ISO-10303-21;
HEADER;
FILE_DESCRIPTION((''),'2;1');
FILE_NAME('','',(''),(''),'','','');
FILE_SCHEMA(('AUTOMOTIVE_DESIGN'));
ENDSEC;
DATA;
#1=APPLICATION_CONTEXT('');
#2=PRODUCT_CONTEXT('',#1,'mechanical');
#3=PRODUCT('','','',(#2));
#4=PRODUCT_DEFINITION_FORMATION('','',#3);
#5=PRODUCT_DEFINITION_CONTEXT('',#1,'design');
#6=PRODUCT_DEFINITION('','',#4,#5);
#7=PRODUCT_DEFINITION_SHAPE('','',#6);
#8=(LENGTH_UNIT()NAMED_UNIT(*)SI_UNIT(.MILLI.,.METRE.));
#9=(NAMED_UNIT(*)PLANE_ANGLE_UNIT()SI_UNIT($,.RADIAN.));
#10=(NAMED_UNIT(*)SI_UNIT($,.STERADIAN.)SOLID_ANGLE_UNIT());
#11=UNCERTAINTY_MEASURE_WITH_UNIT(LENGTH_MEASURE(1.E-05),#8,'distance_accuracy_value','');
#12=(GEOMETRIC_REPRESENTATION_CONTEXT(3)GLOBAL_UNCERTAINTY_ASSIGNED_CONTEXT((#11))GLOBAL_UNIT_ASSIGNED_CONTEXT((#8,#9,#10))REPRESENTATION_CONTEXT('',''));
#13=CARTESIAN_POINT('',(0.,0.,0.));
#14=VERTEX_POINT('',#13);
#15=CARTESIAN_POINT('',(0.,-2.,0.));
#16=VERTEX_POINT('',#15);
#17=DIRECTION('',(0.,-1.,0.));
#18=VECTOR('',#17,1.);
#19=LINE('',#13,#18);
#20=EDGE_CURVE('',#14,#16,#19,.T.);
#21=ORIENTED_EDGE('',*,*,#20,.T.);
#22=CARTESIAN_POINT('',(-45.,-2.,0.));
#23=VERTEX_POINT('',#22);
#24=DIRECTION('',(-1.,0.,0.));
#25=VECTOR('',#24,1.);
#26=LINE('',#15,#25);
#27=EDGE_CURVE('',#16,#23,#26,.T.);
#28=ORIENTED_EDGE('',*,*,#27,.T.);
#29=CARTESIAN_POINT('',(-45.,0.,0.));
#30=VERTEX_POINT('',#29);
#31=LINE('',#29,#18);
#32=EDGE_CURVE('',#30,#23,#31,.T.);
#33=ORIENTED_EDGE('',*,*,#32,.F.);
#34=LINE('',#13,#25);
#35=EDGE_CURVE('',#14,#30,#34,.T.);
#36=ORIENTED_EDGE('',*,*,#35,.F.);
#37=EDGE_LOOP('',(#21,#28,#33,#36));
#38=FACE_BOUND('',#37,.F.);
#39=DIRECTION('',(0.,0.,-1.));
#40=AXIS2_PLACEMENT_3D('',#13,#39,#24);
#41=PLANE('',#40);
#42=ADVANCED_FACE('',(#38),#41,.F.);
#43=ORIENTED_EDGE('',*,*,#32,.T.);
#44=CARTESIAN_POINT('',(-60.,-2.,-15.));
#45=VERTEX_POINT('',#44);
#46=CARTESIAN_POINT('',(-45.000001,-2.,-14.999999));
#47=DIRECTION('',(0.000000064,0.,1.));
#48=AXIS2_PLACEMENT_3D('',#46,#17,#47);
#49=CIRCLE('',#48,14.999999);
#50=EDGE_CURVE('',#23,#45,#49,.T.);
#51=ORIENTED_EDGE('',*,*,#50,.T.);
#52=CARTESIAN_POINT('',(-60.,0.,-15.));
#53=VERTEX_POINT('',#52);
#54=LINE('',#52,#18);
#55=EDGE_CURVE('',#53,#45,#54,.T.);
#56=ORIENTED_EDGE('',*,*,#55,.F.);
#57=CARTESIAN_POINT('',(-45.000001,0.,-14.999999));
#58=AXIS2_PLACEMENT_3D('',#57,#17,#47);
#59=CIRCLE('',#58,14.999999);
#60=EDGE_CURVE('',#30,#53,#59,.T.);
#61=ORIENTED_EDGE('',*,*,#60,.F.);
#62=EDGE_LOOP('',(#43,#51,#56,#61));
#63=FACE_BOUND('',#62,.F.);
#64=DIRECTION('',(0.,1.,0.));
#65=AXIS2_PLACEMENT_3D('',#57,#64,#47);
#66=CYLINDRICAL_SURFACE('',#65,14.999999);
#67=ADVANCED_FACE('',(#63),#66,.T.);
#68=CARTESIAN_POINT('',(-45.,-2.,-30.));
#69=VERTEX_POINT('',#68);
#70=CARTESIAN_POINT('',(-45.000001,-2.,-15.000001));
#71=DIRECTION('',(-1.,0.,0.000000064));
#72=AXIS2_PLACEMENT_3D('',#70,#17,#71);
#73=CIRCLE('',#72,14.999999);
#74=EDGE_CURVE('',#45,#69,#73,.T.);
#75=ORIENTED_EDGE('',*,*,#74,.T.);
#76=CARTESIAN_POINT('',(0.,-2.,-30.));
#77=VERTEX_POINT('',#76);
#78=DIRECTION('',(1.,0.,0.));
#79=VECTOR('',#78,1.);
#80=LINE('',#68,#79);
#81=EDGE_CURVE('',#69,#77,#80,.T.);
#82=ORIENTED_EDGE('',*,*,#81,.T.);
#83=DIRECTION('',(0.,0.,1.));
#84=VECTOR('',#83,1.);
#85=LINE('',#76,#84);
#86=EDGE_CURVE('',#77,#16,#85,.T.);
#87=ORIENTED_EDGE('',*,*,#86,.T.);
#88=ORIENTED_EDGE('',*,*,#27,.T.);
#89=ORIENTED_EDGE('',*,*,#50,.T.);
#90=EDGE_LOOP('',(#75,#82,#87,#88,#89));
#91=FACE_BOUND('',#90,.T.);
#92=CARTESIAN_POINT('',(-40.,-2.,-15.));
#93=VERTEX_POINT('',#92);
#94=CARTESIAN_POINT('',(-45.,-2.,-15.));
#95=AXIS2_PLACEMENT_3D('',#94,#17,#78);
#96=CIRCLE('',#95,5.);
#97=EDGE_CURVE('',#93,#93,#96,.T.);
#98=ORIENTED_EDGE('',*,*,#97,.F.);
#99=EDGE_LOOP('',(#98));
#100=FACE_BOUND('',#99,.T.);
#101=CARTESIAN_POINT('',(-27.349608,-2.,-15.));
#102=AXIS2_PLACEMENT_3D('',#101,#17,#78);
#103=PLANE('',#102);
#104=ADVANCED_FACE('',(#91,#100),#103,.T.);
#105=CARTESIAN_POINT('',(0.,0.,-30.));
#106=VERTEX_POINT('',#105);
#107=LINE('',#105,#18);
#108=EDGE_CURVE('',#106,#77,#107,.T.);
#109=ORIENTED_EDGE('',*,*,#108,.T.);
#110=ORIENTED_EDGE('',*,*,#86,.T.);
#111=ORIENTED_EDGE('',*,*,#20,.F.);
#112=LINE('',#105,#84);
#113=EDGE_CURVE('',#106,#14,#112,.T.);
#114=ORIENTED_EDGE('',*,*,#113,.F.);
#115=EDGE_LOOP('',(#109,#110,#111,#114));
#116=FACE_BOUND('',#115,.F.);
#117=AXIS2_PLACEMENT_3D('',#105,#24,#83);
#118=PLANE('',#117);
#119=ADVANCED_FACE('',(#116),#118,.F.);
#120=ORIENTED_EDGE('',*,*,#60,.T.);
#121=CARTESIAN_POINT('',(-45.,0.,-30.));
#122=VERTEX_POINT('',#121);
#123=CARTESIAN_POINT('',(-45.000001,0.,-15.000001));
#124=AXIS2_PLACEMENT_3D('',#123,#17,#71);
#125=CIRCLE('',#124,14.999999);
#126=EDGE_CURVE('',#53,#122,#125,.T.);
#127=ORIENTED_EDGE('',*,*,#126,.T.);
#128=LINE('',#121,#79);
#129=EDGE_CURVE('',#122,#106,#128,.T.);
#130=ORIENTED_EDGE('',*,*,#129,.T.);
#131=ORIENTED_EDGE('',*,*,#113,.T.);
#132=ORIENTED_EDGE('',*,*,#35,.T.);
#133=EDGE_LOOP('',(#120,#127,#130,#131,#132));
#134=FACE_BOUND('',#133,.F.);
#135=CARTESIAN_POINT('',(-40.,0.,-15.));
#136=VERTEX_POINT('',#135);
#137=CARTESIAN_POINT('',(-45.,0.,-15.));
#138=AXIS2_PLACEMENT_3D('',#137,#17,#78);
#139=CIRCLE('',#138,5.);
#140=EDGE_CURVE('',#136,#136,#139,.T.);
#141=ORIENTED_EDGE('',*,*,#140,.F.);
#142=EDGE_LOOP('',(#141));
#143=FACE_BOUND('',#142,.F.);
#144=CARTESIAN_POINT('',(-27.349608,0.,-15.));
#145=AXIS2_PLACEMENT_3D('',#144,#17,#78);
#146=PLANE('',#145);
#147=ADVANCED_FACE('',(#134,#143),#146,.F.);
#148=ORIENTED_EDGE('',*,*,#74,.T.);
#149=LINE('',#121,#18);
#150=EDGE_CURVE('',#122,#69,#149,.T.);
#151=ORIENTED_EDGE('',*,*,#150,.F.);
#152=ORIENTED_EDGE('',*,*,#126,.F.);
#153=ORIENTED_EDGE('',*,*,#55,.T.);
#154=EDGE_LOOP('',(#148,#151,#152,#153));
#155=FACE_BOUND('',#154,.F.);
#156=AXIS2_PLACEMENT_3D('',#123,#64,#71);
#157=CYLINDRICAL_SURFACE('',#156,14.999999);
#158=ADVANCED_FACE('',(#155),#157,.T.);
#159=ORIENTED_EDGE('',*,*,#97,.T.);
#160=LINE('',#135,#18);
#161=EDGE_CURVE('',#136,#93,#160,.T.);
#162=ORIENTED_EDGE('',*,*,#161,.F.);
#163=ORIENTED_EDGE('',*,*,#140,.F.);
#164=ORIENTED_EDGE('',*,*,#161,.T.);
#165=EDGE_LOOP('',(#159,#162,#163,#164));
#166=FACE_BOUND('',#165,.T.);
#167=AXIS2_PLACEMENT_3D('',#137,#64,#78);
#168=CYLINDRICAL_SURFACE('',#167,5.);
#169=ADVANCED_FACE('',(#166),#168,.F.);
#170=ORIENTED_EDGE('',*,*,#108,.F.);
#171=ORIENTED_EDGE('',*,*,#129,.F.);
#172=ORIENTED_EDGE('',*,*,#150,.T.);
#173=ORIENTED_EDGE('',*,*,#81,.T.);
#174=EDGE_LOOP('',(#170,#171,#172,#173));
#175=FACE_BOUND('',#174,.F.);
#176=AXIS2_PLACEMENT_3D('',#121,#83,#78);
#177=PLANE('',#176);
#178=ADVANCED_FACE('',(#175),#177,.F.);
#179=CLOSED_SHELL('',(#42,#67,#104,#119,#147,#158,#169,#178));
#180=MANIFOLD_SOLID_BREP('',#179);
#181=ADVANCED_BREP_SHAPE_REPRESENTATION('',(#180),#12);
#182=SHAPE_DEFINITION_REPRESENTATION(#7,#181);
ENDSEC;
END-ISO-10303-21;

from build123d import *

# Parameters (mm, degrees)
F0_R     = 5
F1_DEPTH = 2


with BuildPart() as f1:
    # F0 (on Front) → F1 (new body)
    with BuildSketch(Plane.XZ):
        with BuildLine():
            Line((0, -30), (0, 0))
            Line((0, 0), (-45, 0))
            ThreePointArc((-45, 0), (-55.606602, -4.393398), (-60, -15))
            ThreePointArc((-60, -15), (-55.606602, -25.606602), (-45, -30))
            Line((-45, -30), (0, -30))
        make_face()
        with Locations((-45, -15)):
            Circle(F0_R, mode=Mode.SUBTRACT)
    extrude(amount=F1_DEPTH)


solid = f1.part
